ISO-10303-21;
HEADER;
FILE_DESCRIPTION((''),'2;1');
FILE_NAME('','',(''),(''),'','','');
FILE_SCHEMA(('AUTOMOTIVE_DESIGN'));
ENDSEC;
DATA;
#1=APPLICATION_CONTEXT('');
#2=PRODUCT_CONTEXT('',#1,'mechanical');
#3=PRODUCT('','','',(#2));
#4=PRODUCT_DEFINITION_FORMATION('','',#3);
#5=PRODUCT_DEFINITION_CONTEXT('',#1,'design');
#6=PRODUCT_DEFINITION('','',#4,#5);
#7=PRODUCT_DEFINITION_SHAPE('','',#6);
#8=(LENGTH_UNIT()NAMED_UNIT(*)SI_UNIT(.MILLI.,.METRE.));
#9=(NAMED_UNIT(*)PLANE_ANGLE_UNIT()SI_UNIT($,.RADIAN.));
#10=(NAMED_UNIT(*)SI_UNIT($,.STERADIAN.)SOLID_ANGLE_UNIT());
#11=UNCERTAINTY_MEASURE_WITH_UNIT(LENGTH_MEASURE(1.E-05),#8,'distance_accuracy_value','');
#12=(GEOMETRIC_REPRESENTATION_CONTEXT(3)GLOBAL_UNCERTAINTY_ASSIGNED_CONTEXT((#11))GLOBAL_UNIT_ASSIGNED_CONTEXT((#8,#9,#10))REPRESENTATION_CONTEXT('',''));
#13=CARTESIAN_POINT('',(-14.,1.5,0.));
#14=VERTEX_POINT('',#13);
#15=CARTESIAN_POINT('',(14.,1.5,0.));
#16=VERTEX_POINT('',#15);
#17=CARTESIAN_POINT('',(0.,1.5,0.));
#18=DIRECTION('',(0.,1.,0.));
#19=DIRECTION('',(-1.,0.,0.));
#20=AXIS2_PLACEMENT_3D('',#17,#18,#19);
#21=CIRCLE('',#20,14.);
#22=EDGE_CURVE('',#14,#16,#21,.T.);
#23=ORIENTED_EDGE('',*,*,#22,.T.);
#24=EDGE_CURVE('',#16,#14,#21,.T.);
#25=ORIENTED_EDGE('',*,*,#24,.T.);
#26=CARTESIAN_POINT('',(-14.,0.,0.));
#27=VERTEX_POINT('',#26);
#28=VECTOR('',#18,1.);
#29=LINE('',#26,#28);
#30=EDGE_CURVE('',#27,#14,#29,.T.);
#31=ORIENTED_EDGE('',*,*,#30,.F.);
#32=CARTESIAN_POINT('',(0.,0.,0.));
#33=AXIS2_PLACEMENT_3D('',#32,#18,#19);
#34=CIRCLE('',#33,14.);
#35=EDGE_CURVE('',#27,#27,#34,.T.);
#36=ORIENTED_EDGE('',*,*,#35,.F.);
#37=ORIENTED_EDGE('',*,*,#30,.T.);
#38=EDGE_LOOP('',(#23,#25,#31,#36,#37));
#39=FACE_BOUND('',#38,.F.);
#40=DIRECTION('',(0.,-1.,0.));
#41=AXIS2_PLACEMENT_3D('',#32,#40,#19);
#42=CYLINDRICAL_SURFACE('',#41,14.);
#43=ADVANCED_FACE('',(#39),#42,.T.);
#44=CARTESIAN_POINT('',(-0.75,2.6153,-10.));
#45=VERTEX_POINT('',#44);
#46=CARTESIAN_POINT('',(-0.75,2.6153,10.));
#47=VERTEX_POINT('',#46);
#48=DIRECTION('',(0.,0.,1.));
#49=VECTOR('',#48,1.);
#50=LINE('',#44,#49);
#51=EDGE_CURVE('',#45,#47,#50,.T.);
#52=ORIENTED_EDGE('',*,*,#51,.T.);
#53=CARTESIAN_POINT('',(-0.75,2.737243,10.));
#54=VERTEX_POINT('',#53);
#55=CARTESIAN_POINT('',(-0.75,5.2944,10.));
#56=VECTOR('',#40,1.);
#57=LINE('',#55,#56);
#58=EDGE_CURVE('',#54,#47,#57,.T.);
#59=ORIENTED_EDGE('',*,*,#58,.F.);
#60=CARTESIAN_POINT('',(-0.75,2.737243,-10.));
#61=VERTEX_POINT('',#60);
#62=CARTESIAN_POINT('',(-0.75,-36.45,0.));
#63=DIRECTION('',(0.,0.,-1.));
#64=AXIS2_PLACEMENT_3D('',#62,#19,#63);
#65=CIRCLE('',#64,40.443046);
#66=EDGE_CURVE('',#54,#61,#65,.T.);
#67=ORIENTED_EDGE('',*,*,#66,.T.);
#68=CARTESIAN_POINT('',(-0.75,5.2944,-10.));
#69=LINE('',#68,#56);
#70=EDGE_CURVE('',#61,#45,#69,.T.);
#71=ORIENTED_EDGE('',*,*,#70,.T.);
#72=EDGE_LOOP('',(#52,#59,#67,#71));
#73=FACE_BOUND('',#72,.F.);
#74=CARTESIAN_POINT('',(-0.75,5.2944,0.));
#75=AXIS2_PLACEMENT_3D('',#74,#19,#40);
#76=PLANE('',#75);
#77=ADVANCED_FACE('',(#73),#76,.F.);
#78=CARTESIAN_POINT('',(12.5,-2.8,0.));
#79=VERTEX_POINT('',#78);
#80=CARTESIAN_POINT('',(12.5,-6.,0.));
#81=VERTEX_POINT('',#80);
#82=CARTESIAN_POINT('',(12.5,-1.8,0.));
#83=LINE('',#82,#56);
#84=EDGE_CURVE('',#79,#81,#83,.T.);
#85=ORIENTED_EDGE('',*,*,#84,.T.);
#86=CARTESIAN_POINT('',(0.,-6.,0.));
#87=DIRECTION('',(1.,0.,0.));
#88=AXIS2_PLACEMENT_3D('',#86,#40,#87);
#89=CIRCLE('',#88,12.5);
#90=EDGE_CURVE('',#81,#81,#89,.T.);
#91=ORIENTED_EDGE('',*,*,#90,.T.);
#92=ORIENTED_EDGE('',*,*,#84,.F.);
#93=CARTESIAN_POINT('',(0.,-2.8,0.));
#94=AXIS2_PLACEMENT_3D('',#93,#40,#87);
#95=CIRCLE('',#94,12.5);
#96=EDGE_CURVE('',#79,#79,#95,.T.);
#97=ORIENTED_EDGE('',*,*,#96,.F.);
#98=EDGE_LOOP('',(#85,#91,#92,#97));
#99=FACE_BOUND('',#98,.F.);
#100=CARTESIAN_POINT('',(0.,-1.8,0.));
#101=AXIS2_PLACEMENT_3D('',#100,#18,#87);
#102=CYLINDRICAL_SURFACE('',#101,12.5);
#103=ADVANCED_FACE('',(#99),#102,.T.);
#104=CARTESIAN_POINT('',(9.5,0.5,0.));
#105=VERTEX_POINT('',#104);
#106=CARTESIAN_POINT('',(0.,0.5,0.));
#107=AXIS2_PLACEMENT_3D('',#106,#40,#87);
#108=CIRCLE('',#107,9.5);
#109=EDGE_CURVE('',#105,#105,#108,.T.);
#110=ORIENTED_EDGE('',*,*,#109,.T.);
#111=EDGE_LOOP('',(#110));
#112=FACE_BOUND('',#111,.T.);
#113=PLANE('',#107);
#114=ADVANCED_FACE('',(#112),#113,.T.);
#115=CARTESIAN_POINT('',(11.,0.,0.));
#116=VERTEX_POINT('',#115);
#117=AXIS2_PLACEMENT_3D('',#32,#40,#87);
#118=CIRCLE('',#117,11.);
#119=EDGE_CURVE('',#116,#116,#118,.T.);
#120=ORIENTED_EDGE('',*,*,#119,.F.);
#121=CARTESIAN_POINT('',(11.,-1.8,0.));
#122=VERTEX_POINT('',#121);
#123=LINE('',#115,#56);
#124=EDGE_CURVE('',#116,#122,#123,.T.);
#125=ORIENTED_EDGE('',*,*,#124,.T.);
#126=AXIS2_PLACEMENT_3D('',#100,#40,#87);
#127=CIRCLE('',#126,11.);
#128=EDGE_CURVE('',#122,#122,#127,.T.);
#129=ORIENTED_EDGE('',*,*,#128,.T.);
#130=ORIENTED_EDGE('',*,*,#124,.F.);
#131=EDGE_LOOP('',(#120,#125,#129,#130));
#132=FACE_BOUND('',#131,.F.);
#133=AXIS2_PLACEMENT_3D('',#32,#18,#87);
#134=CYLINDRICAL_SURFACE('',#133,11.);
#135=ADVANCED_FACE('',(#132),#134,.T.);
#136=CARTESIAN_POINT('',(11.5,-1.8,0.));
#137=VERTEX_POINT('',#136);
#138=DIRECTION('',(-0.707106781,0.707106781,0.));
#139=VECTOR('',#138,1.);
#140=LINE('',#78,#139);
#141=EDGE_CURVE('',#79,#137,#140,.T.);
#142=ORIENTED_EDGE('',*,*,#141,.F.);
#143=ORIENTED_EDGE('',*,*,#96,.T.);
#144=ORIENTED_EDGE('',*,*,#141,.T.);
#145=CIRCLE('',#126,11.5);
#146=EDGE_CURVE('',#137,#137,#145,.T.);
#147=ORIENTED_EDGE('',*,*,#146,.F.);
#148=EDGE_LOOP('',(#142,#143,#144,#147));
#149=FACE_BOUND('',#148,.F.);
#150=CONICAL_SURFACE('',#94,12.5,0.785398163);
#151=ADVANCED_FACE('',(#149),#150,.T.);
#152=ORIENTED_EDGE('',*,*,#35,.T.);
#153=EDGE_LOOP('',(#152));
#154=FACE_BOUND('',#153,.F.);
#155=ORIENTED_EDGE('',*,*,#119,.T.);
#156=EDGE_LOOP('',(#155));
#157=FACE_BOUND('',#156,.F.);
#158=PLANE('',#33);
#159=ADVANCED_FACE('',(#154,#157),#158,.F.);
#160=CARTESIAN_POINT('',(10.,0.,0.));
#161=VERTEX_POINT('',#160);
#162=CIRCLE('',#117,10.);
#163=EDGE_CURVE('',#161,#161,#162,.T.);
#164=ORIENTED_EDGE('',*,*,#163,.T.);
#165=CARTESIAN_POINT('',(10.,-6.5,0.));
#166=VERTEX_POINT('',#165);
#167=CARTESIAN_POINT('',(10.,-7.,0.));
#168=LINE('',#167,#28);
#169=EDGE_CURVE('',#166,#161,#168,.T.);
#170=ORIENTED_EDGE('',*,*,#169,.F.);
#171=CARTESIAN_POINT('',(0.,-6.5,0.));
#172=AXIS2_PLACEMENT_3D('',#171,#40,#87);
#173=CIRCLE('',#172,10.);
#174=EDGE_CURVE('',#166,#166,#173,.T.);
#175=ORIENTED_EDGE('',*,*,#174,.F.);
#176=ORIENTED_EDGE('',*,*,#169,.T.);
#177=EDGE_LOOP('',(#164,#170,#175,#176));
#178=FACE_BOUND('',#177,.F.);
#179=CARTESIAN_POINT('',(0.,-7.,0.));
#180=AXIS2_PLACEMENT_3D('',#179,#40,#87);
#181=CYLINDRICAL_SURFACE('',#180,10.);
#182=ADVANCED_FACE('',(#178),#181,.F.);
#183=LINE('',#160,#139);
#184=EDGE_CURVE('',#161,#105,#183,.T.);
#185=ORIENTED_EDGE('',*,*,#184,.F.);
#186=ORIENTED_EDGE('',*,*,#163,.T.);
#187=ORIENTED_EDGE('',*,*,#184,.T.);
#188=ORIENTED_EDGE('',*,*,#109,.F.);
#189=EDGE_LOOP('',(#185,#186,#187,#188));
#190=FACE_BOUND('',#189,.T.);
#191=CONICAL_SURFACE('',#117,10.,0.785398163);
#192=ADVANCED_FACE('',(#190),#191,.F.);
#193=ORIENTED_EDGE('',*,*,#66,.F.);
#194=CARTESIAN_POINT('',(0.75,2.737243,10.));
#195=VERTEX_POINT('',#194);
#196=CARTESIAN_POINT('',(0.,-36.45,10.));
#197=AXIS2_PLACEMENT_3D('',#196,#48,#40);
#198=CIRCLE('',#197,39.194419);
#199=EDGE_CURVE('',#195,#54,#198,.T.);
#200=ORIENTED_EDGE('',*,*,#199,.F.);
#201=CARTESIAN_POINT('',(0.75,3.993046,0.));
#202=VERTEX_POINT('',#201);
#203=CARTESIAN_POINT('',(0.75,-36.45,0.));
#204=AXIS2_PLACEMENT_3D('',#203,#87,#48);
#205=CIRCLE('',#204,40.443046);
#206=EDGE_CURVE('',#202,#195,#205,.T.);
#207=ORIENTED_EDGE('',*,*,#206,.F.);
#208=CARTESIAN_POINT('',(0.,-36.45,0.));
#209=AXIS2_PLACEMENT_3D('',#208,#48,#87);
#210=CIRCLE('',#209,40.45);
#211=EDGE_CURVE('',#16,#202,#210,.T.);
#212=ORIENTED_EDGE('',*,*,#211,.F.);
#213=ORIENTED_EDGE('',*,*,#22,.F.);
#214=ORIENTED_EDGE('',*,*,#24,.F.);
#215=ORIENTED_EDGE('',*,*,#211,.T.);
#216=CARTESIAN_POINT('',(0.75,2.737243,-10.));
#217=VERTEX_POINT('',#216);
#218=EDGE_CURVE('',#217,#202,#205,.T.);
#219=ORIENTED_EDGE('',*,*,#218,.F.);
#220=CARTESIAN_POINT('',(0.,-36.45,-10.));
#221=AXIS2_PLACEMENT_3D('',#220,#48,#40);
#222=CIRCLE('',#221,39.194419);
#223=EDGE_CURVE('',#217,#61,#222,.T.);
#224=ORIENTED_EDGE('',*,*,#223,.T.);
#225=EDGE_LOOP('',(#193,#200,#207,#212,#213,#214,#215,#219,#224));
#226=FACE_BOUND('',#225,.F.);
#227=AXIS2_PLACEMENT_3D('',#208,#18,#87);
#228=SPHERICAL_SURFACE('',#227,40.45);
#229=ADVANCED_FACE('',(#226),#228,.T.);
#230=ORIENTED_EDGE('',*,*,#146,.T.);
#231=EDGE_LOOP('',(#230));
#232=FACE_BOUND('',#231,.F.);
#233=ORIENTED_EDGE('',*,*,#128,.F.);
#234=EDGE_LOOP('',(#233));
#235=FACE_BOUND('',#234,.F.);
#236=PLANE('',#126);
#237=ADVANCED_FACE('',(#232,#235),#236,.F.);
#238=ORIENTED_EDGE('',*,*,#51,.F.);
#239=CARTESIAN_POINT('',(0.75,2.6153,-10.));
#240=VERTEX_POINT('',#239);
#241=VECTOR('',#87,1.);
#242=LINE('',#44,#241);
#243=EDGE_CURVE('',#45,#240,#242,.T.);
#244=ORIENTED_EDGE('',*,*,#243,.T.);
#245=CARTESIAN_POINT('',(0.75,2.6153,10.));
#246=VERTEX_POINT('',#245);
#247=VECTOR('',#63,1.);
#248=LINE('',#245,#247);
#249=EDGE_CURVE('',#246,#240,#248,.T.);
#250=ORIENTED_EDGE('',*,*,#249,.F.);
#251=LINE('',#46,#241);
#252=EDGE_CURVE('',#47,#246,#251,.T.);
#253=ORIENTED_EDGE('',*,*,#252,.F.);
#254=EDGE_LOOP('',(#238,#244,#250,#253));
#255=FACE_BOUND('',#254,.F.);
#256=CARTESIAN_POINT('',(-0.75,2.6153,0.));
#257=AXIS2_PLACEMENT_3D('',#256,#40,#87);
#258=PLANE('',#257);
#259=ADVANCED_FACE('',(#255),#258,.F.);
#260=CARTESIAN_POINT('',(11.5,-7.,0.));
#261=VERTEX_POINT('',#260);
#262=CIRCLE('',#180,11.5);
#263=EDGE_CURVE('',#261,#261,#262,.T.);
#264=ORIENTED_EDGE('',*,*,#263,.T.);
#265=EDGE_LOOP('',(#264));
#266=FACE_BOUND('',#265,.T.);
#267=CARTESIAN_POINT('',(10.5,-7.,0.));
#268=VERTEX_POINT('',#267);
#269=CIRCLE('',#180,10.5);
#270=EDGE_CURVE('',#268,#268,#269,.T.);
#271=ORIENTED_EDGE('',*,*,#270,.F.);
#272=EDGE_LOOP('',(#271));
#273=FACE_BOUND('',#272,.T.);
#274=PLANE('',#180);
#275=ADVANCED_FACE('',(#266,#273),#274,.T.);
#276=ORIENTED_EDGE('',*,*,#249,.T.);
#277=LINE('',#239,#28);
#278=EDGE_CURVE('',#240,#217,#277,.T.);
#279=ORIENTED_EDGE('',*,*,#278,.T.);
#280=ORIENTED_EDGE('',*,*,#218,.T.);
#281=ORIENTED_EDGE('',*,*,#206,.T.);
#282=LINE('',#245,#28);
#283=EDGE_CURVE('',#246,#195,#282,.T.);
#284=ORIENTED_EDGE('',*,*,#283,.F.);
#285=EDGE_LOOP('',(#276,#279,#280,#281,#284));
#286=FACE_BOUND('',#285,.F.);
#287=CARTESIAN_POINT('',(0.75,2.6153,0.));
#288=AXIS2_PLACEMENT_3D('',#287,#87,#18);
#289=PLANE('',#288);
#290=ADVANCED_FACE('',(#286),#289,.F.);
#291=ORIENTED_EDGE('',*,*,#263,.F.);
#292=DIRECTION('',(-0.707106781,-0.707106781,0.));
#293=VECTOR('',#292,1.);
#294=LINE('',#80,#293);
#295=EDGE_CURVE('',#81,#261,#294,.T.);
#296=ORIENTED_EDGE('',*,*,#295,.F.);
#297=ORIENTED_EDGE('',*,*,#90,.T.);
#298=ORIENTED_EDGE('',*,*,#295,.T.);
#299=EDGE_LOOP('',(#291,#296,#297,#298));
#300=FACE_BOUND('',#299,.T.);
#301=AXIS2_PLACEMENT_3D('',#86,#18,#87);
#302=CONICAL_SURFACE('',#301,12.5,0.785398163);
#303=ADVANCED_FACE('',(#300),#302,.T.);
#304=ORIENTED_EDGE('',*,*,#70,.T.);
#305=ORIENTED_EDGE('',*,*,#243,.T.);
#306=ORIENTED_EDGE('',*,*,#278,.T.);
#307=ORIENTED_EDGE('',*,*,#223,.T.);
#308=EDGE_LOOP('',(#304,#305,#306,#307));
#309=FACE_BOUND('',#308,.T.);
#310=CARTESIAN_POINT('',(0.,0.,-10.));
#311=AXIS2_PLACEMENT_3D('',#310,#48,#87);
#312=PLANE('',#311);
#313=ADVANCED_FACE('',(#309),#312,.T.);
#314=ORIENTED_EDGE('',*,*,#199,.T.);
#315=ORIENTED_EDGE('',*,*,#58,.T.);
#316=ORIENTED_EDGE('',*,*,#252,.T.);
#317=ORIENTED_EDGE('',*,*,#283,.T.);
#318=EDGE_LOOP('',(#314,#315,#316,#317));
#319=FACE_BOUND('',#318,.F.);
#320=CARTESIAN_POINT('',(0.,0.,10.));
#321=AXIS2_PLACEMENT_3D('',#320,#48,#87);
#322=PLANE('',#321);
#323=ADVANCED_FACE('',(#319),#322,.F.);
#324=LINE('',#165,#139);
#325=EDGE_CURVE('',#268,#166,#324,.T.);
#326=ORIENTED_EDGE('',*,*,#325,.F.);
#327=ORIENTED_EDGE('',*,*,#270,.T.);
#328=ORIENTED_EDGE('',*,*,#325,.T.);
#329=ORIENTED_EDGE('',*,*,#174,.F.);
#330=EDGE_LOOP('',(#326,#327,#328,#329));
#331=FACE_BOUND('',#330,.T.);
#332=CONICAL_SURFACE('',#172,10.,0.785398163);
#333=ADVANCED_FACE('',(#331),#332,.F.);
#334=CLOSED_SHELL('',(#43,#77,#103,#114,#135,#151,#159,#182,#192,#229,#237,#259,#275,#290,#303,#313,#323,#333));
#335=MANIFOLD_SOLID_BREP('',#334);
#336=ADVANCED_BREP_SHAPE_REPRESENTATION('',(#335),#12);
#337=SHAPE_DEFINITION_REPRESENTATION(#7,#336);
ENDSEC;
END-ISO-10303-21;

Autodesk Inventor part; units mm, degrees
ref_plane "YZ Plane" through (0, 0, 0) normal (1, 0, 0) x (0, 1, 0)
ref_plane "XZ Plane" through (0, 0, 0) normal (0, 1, 0) x (-1, 0, 0)
ref_plane "XY Plane" through (0, 0, 0) normal (0, 0, 1) x (1, 0, 0)
sketch "Sketch1" plane through (0, 0, 0) normal (0, 1, 0) x (-1, 0, 0)
  circle A0 centre (0, 0) radius 14
  dimension "d0" = 28
extrude "Extrusion1" add sketch "Sketch1" along normal blind 1.5
sketch "Sketch2" plane through (0, 0, 0) normal (0, -1, 0) x (1, 0, 0)
  circle A0 centre (0, 0) radius 11
  dimension "d3" = 22
extrude "Extrusion2" add sketch "Sketch2" along normal blind 1.8
sketch "Sketch3" plane through (0, -1.8, 0) normal (0, -1, 0) x (1, 0, 0)
  circle A0 centre (0, 0) radius 12.5
  dimension "d6" = 25
extrude "Extrusion3" add sketch "Sketch3" along normal blind 5.2
chamfer "Chamfer1" distance 1 angle 45 2 edges at (-12.5, -1.8, 0) (-12.5, -7, 0)
thread "Thread1" size "M25x2" class "6g" standard "ANSI Metric M Profile" full length
sketch "Sketch4" plane through (0, 0, 0) normal (0, 0, 1) x (1, 0, 0)
  line L0 (0, 11.1309) -> (0, -17.3821)
  line L1 (14, 1.5) -> (-14, 1.5) projected
  circle A0 centre (0, -36.45) radius 40.45
  line L2 (11.5, -7) -> (-11.5, -7) projected
  point P0 (0, 0)
  point P1 (0, 4)
  point P2 (0, 1.5)
  dimension "d15" = 11
revolve "Revolution1" add sketch "Sketch4" angle 360 about axis through (0, 11.1309, 0) along (0, -1, 0) picked at (7.8142, 1.9608) contours A0 L1 L0
sketch "Sketch5" plane through (0, 0, 0) normal (0, 0, 1) x (1, 0, 0)
  line L0 (-0.75, 5.2944) -> (-0.75, 2.6153)
  line L1 (-0.75, 2.6153) -> (0.75, 2.6153)
  line L2 (0.75, 2.6153) -> (0.75, 5.2944)
  line L3 (0.75, 5.2944) -> (-0.75, 5.2944)
  line L4 (-0.75, 5.2944) -> (0.75, 2.6153) construction
  line L5 (-0.75, 2.6153) -> (0.75, 5.2944) construction
  point P0 (0, 0)
  point P1 (0, 3.9548)
  dimension "d17" = 1.5
extrude "Extrusion4" cut sketch "Sketch5" against normal mid plane 20
sketch "Sketch6" plane through (0, -7, 0) normal (0, -1, 0) x (1, 0, 0)
  circle A0 centre (0, 0) radius 10
  dimension "d20" = 20
extrude "Extrusion5" cut sketch "Sketch6" against normal blind 7.5
chamfer "Chamfer2" distance 0.5 angle 45 2 edges at (-10, 0.5, 0) (-10, -7, 0)
properties part number "Cartridge Glans Cover RS 406-9413 LAPP"
